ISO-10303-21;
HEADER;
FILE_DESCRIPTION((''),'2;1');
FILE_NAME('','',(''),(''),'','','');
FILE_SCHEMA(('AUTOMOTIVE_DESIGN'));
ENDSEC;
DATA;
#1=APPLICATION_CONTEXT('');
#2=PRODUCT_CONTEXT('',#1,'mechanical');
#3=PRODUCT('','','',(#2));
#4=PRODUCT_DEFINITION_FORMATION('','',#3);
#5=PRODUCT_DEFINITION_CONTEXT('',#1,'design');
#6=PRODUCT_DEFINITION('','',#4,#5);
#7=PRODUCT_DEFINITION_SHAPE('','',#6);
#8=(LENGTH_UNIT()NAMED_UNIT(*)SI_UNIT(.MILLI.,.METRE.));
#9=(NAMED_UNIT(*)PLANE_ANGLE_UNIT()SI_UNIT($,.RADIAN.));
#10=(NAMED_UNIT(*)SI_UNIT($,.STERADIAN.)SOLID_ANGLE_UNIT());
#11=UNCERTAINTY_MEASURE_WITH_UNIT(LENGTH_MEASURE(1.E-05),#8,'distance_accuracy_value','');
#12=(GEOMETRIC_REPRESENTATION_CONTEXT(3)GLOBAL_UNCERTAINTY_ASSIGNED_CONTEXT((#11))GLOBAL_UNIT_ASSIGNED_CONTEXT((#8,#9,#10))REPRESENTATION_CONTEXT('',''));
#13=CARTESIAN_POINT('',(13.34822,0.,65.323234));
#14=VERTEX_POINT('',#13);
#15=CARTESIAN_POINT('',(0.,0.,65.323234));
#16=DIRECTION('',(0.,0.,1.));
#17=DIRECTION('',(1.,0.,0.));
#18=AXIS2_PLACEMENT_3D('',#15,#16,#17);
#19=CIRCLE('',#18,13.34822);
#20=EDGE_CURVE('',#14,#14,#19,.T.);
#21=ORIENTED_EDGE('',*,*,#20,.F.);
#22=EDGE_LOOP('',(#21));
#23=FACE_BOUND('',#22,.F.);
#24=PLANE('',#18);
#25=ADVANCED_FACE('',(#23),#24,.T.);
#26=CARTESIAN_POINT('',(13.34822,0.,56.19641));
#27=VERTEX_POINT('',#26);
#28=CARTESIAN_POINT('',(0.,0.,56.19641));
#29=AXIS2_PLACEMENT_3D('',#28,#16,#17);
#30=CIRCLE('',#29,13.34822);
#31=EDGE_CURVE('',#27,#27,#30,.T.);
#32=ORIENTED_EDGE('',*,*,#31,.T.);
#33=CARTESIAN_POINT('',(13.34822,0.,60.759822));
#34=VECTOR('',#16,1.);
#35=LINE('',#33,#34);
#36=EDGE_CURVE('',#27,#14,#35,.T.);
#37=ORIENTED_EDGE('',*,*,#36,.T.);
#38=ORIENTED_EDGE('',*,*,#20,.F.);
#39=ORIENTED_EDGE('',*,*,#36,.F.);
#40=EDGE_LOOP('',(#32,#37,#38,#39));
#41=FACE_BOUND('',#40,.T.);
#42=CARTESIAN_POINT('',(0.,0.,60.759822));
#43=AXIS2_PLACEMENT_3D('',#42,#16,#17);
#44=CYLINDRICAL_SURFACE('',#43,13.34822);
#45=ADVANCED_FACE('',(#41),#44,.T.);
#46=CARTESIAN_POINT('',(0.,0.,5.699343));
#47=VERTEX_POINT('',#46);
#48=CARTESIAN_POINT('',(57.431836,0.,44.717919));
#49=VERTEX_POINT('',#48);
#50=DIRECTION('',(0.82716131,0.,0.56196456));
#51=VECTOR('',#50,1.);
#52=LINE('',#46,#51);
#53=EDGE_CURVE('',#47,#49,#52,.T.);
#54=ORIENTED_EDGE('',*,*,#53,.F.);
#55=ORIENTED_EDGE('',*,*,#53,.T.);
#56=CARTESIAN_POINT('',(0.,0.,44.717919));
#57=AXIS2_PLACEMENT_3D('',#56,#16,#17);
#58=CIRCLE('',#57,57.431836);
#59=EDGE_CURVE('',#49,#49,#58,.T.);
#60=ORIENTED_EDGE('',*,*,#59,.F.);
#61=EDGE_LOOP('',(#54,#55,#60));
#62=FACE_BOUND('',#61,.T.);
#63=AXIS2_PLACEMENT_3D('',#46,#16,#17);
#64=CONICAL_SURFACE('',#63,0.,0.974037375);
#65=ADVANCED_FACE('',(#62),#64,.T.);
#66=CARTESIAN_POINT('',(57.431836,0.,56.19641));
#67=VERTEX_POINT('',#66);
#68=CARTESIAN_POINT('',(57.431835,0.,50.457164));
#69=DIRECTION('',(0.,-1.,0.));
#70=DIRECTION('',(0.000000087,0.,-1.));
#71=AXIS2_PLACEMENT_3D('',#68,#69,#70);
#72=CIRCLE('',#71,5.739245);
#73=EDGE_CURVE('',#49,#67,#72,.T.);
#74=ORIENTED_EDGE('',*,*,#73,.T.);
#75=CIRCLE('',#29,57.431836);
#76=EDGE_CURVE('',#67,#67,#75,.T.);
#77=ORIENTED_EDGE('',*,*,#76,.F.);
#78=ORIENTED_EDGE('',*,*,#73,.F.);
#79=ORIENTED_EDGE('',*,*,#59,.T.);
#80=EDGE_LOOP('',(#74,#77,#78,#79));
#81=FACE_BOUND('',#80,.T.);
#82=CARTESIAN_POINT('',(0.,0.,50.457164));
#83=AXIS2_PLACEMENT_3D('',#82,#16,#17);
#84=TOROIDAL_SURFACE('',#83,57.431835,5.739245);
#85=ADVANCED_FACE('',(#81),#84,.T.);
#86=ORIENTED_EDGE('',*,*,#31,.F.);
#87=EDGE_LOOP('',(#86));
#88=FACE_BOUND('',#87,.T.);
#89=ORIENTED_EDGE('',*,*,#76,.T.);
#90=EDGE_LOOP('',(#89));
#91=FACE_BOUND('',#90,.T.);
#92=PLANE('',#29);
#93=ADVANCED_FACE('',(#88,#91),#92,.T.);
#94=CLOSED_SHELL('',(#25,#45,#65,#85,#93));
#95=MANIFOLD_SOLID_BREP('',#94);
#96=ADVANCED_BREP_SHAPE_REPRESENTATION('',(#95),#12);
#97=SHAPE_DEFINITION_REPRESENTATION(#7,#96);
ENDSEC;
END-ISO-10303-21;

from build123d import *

# Parameters (mm, degrees)
F0_W = 13.34822
F0_H = 9.126824


with BuildPart() as f1:
    # F0 (on Front) → F1 (revolve)
    with BuildSketch(Plane.XZ):
        Polygon((0, 44.717919), (0, 5.699343), (57.431836, 44.717919), align=None)
        with BuildLine():
            Line((0, 56.19641), (0, 44.717919))
            Line((0, 44.717919), (57.431836, 44.717919))
            ThreePointArc((57.431836, 44.717919), (63.171081, 50.457165), (57.431836, 56.19641))
            Line((57.431836, 56.19641), (13.34822, 56.19641))
            Line((13.34822, 56.19641), (0, 56.19641))
        make_face()
        with Locations((6.67411, 60.759822)):
            Rectangle(F0_W, F0_H)
    revolve(axis=Axis((0, 0, 35.511288), (0, 0, 1)))


solid = f1.part
